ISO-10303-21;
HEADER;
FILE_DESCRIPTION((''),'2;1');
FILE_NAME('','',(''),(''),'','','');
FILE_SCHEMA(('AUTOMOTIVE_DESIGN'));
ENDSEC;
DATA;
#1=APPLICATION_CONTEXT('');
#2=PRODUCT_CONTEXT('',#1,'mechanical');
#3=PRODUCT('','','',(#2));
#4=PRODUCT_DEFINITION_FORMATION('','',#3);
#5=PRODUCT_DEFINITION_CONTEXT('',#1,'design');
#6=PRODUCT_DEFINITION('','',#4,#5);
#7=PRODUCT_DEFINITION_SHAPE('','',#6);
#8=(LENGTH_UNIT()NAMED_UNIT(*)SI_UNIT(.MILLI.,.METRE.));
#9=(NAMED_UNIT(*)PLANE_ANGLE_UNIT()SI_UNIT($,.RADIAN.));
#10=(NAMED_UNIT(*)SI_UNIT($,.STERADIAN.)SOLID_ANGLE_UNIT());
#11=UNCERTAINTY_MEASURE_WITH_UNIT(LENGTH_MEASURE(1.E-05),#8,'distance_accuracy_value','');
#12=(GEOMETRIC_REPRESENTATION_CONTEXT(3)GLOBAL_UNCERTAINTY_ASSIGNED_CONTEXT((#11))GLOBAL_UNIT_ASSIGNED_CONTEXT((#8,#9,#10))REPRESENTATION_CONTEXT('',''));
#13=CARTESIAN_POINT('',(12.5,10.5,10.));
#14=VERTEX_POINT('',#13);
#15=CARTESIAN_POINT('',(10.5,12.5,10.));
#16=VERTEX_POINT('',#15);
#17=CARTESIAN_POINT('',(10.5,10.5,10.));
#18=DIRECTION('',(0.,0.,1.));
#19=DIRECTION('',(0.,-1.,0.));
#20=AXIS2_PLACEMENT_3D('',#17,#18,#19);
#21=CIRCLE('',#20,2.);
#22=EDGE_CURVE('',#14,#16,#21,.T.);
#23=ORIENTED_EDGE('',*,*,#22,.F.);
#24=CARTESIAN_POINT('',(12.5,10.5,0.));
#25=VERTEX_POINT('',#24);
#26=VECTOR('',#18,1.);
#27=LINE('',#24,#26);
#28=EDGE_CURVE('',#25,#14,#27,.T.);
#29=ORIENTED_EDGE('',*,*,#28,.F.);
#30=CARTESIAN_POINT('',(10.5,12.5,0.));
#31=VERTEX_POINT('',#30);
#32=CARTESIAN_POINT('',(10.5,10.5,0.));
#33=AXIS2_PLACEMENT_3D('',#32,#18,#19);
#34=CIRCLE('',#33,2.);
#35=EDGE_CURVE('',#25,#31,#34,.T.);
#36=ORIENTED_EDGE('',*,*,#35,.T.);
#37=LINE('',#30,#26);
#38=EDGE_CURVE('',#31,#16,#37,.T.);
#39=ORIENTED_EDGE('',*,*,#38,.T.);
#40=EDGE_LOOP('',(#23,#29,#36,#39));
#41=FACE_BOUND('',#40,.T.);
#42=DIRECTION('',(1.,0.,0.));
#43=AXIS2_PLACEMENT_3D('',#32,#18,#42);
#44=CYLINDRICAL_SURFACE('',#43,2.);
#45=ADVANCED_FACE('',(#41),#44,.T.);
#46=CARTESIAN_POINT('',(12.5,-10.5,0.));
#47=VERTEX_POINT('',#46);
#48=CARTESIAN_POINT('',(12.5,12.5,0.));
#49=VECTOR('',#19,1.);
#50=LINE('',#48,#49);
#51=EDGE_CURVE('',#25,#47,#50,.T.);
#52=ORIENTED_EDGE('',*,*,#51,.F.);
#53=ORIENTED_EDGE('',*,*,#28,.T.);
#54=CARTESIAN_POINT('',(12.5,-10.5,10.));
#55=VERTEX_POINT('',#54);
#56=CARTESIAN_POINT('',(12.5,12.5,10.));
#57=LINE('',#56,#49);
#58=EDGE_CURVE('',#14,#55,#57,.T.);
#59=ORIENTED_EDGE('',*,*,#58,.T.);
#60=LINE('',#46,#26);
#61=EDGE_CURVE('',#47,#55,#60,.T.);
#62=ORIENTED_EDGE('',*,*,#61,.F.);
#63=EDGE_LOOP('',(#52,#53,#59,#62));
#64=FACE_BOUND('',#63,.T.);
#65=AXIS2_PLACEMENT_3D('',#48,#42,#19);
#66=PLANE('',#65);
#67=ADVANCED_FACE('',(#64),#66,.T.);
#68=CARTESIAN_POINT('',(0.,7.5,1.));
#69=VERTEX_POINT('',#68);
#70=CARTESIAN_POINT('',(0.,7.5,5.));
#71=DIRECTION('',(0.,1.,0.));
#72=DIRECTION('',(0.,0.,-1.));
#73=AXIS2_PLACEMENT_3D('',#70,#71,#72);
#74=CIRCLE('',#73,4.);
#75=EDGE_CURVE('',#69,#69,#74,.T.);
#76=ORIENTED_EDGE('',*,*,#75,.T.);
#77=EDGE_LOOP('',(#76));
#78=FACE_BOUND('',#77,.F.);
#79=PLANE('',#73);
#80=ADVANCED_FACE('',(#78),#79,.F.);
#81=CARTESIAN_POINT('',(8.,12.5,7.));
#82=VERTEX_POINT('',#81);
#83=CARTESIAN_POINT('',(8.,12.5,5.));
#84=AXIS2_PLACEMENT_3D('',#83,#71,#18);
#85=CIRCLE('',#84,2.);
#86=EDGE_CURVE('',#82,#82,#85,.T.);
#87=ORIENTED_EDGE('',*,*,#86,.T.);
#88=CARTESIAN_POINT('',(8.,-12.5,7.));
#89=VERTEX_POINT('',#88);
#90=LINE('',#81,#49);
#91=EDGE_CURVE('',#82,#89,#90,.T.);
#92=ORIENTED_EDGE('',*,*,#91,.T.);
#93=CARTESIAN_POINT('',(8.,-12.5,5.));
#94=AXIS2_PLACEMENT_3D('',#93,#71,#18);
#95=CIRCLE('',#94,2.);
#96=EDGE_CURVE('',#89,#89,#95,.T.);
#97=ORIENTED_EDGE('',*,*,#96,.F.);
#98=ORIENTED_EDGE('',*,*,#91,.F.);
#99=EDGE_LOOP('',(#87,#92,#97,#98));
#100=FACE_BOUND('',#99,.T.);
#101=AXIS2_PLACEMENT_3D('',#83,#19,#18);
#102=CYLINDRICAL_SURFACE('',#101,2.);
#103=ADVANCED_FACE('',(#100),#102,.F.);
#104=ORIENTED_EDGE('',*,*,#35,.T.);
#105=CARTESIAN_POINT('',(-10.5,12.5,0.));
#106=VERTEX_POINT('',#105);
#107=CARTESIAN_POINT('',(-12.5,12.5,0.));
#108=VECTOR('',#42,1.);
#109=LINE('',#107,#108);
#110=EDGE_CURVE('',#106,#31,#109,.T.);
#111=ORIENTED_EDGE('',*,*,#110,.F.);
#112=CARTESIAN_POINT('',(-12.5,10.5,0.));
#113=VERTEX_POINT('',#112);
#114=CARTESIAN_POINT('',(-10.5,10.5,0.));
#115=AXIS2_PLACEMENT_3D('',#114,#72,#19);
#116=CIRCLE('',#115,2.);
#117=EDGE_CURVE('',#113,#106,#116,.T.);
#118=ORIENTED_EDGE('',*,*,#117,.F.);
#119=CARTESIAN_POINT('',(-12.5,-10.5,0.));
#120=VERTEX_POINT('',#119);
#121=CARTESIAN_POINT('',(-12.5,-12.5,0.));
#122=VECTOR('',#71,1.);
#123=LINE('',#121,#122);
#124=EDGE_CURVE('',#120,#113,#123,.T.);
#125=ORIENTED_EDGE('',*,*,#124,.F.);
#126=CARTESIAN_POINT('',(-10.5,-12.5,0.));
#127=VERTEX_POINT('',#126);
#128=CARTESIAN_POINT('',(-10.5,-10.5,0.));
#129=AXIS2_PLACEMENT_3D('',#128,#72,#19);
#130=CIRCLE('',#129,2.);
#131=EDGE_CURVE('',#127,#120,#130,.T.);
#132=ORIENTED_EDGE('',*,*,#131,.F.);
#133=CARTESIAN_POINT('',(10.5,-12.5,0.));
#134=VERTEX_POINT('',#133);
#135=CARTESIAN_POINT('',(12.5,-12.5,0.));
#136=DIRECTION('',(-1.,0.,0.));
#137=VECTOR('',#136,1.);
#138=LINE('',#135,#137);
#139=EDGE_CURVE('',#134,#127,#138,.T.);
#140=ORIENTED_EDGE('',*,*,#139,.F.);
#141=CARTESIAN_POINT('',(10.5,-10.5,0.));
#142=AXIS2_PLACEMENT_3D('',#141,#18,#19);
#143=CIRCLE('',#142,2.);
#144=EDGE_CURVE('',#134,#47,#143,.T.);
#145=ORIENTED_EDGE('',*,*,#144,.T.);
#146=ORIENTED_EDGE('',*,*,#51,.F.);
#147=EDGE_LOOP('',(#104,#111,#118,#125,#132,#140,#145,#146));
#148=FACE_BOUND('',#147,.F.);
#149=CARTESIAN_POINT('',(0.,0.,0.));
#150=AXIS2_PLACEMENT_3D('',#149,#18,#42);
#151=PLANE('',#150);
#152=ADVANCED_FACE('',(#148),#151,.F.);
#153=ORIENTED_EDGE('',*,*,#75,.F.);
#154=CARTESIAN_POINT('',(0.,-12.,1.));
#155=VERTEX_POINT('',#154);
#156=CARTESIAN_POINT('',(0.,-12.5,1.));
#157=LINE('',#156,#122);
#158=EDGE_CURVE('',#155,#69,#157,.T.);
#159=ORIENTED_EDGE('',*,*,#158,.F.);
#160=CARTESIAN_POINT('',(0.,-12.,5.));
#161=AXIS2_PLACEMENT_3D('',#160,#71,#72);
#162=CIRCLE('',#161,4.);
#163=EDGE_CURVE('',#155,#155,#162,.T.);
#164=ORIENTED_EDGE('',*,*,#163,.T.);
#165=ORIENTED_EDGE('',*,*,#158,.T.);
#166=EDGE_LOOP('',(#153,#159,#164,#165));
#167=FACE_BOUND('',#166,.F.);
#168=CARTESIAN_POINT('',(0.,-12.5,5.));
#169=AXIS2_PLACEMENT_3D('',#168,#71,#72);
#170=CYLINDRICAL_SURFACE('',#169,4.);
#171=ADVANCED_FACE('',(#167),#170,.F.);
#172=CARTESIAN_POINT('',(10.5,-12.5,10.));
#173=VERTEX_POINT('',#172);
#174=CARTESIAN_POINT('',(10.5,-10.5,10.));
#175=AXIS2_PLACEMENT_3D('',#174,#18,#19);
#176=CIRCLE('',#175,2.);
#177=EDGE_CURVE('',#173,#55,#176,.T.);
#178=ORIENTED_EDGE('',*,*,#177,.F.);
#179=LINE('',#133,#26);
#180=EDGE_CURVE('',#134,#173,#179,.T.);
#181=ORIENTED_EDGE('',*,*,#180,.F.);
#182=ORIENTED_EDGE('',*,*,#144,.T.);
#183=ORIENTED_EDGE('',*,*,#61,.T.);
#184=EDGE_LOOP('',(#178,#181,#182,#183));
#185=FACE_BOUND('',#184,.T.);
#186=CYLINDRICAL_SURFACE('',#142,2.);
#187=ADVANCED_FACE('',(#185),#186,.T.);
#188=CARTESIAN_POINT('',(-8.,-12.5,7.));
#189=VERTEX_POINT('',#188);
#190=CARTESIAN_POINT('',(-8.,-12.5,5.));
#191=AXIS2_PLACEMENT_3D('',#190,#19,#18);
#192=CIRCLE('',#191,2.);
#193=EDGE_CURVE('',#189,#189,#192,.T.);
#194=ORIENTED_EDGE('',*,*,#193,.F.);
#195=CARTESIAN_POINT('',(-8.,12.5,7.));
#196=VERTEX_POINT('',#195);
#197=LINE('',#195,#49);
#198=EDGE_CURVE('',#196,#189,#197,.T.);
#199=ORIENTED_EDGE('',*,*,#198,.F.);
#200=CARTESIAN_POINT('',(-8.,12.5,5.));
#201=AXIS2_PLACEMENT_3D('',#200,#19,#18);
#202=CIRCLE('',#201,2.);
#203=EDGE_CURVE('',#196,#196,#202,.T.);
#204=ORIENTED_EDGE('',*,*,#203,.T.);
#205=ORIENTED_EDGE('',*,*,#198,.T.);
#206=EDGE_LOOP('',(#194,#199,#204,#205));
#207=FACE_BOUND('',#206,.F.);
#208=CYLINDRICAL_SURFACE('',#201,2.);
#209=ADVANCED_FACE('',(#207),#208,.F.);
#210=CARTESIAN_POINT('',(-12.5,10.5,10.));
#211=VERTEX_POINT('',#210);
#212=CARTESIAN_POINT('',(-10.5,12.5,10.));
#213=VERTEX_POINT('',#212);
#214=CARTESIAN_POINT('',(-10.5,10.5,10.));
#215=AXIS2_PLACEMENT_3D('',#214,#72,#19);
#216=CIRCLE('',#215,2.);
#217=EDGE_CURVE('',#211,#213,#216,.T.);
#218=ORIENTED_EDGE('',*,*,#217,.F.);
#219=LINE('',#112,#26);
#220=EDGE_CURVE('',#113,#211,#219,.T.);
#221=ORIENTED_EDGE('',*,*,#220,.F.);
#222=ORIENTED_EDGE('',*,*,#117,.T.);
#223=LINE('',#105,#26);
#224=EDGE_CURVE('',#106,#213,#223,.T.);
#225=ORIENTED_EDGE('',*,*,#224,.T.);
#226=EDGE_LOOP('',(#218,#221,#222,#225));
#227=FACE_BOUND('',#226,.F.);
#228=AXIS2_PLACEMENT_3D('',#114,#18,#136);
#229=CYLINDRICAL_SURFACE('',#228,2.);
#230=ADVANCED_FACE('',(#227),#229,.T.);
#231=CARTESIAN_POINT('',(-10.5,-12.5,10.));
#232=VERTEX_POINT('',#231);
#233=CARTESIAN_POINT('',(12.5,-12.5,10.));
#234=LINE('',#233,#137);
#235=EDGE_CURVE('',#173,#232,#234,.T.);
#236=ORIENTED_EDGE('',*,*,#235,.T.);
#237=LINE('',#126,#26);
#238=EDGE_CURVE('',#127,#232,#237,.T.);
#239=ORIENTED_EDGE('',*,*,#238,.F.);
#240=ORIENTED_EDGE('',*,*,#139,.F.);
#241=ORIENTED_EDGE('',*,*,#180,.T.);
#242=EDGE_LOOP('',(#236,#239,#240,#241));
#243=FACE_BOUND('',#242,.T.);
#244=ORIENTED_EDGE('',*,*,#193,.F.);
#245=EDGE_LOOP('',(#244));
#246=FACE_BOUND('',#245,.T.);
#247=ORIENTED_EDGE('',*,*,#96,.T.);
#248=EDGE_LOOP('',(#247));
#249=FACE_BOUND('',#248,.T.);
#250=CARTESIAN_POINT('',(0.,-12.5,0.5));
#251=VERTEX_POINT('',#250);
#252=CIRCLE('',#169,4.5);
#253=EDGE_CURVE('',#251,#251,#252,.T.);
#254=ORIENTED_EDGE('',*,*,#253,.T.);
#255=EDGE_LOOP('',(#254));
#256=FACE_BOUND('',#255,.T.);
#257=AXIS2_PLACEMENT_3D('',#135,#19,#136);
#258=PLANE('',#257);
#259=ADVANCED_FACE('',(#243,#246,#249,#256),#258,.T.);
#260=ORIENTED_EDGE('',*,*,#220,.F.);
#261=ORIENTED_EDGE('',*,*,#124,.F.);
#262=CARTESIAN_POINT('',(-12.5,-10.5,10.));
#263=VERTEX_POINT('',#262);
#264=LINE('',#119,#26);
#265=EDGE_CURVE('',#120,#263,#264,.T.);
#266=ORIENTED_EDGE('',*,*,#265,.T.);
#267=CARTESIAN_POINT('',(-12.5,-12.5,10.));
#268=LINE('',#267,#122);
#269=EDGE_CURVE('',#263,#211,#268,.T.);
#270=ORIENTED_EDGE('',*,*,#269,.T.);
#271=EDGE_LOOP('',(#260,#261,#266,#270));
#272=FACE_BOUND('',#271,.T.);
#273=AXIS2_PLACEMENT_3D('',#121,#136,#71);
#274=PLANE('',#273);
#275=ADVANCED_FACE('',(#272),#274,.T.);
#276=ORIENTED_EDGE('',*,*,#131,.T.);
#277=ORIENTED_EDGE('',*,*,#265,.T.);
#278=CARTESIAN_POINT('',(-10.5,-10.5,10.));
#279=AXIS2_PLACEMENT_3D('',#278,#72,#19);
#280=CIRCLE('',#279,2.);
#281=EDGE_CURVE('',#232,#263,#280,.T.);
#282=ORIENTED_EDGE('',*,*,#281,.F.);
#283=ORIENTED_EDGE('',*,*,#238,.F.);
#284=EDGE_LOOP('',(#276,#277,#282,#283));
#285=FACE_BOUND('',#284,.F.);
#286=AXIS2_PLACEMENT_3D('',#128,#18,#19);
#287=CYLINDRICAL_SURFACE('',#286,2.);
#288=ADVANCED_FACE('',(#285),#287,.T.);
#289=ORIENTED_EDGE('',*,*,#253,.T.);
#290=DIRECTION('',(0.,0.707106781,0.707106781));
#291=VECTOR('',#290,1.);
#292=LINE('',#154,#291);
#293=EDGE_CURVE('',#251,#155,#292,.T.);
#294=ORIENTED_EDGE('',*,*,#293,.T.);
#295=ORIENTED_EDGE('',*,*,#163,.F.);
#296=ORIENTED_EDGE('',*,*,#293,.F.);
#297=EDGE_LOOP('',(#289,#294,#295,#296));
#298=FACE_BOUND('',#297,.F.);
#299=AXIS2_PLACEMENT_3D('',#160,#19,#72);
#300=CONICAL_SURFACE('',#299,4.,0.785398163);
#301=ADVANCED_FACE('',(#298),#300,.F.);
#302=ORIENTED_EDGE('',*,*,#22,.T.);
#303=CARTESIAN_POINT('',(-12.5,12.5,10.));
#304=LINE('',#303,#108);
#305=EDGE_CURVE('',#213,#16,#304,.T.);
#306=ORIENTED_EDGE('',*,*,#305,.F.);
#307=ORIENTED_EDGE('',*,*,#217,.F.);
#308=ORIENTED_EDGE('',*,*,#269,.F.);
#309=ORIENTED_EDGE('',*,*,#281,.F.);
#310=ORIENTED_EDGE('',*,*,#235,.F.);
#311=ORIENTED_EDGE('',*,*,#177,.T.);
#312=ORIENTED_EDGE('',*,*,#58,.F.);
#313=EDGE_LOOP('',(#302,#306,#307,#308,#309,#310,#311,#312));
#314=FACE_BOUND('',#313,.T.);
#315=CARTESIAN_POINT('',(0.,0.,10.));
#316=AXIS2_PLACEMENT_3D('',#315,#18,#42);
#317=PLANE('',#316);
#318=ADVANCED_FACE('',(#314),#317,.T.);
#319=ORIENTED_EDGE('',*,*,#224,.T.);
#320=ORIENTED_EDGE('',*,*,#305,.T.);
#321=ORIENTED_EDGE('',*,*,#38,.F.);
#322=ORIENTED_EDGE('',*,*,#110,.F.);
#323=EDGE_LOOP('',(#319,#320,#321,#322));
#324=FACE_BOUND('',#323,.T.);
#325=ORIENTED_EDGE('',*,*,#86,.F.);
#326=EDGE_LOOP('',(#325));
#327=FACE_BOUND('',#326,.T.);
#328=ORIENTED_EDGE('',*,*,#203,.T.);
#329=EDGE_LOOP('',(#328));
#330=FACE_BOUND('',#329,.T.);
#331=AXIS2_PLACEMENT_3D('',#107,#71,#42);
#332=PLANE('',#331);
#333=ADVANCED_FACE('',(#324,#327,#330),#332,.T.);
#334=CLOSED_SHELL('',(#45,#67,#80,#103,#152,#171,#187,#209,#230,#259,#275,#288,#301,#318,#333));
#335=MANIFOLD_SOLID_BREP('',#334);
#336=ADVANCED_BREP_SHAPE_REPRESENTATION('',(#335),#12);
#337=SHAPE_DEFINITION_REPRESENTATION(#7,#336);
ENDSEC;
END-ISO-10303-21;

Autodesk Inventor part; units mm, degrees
ref_plane "YZ Plane" through (0, 0, 0) normal (1, 0, 0) x (0, 1, 0)
ref_plane "XZ Plane" through (0, 0, 0) normal (0, 1, 0) x (-1, 0, 0)
ref_plane "XY Plane" through (0, 0, 0) normal (0, 0, 1) x (1, 0, 0)
sketch "Sketch1" plane through (0, 0, 0) normal (0, 0, 1) x (1, 0, 0)
  line L0 (-12.5, 12.5) -> (12.5, 12.5)
  line L1 (12.5, 12.5) -> (12.5, -12.5)
  line L2 (12.5, -12.5) -> (-12.5, -12.5)
  line L3 (-12.5, -12.5) -> (-12.5, 12.5)
  point P0 (0, 0)
  dimension "d2" = 25
  dimension "d3" = 12.5
  dimension "d4" = 25
  dimension "d5" = 12.5
extrude "Extrusion1" add sketch "Sketch1" along normal blind 10
sketch "Sketch2" plane through (-12.5, 12.5, 0) normal (0, 1, 0) x (1, 0, 0)
  line L0 (25, -10) -> (0, -10) projected
  line L1 (25, 0) -> (0, 0) projected
  line L2 (0, 0) -> (0, -10) projected
  point P0 (12.5, 0)
  point P1 (4.5, -5)
  dimension "d8" = 10
  dimension "d9" = 5
  dimension "d18" = 8
hole "Hole1" at (-8, 12.5, 5) direction (0, -1, 0) diameter 4 depth 25
mirror "Mirror1" about plane through (0, 0, 0) normal (1, 0, 0) of "Hole1"
sketch "Sketch3" plane through (-12.5, -12.5, 0) normal (0, -1, 0) x (1, 0, 0)
  line L0 (0, 0) -> (25, 0) projected
  line L1 (0, 10) -> (25, 10) projected
  line L2 (0, 0) -> (0, 10) projected
  line L3 (25, 0) -> (25, 10) projected
  point P0 (12.5, 0)
  point P1 (12.5, 5)
  dimension "d19" = 10
  dimension "d20" = 25
  dimension "d21" = 12.5
  dimension "d22" = 5
hole "Hole2" at (0, -12.5, 5) direction (0, 1, 0) diameter 8 depth 20
chamfer "Chamfer1" distance 0.5 angle 45 1 edges at (0, -12.5, 9)
fillet "Fillet1" radius 2 4 edges at (-12.5, -12.5, 5) (-12.5, 12.5, 5) (12.5, 12.5, 5) (12.5, -12.5, 5)
equation "\"d3\" = 0.5 * d2"
equation "\"d5\" = 0.5 * d4"
equation "\"d9\" = 0.5 * d8"
equation "\"d21\" = 0.5 * d20"
equation "\"d22\" = 0.5 * d19"
properties part number "pendulum_mass" material "ABS Plastic"
